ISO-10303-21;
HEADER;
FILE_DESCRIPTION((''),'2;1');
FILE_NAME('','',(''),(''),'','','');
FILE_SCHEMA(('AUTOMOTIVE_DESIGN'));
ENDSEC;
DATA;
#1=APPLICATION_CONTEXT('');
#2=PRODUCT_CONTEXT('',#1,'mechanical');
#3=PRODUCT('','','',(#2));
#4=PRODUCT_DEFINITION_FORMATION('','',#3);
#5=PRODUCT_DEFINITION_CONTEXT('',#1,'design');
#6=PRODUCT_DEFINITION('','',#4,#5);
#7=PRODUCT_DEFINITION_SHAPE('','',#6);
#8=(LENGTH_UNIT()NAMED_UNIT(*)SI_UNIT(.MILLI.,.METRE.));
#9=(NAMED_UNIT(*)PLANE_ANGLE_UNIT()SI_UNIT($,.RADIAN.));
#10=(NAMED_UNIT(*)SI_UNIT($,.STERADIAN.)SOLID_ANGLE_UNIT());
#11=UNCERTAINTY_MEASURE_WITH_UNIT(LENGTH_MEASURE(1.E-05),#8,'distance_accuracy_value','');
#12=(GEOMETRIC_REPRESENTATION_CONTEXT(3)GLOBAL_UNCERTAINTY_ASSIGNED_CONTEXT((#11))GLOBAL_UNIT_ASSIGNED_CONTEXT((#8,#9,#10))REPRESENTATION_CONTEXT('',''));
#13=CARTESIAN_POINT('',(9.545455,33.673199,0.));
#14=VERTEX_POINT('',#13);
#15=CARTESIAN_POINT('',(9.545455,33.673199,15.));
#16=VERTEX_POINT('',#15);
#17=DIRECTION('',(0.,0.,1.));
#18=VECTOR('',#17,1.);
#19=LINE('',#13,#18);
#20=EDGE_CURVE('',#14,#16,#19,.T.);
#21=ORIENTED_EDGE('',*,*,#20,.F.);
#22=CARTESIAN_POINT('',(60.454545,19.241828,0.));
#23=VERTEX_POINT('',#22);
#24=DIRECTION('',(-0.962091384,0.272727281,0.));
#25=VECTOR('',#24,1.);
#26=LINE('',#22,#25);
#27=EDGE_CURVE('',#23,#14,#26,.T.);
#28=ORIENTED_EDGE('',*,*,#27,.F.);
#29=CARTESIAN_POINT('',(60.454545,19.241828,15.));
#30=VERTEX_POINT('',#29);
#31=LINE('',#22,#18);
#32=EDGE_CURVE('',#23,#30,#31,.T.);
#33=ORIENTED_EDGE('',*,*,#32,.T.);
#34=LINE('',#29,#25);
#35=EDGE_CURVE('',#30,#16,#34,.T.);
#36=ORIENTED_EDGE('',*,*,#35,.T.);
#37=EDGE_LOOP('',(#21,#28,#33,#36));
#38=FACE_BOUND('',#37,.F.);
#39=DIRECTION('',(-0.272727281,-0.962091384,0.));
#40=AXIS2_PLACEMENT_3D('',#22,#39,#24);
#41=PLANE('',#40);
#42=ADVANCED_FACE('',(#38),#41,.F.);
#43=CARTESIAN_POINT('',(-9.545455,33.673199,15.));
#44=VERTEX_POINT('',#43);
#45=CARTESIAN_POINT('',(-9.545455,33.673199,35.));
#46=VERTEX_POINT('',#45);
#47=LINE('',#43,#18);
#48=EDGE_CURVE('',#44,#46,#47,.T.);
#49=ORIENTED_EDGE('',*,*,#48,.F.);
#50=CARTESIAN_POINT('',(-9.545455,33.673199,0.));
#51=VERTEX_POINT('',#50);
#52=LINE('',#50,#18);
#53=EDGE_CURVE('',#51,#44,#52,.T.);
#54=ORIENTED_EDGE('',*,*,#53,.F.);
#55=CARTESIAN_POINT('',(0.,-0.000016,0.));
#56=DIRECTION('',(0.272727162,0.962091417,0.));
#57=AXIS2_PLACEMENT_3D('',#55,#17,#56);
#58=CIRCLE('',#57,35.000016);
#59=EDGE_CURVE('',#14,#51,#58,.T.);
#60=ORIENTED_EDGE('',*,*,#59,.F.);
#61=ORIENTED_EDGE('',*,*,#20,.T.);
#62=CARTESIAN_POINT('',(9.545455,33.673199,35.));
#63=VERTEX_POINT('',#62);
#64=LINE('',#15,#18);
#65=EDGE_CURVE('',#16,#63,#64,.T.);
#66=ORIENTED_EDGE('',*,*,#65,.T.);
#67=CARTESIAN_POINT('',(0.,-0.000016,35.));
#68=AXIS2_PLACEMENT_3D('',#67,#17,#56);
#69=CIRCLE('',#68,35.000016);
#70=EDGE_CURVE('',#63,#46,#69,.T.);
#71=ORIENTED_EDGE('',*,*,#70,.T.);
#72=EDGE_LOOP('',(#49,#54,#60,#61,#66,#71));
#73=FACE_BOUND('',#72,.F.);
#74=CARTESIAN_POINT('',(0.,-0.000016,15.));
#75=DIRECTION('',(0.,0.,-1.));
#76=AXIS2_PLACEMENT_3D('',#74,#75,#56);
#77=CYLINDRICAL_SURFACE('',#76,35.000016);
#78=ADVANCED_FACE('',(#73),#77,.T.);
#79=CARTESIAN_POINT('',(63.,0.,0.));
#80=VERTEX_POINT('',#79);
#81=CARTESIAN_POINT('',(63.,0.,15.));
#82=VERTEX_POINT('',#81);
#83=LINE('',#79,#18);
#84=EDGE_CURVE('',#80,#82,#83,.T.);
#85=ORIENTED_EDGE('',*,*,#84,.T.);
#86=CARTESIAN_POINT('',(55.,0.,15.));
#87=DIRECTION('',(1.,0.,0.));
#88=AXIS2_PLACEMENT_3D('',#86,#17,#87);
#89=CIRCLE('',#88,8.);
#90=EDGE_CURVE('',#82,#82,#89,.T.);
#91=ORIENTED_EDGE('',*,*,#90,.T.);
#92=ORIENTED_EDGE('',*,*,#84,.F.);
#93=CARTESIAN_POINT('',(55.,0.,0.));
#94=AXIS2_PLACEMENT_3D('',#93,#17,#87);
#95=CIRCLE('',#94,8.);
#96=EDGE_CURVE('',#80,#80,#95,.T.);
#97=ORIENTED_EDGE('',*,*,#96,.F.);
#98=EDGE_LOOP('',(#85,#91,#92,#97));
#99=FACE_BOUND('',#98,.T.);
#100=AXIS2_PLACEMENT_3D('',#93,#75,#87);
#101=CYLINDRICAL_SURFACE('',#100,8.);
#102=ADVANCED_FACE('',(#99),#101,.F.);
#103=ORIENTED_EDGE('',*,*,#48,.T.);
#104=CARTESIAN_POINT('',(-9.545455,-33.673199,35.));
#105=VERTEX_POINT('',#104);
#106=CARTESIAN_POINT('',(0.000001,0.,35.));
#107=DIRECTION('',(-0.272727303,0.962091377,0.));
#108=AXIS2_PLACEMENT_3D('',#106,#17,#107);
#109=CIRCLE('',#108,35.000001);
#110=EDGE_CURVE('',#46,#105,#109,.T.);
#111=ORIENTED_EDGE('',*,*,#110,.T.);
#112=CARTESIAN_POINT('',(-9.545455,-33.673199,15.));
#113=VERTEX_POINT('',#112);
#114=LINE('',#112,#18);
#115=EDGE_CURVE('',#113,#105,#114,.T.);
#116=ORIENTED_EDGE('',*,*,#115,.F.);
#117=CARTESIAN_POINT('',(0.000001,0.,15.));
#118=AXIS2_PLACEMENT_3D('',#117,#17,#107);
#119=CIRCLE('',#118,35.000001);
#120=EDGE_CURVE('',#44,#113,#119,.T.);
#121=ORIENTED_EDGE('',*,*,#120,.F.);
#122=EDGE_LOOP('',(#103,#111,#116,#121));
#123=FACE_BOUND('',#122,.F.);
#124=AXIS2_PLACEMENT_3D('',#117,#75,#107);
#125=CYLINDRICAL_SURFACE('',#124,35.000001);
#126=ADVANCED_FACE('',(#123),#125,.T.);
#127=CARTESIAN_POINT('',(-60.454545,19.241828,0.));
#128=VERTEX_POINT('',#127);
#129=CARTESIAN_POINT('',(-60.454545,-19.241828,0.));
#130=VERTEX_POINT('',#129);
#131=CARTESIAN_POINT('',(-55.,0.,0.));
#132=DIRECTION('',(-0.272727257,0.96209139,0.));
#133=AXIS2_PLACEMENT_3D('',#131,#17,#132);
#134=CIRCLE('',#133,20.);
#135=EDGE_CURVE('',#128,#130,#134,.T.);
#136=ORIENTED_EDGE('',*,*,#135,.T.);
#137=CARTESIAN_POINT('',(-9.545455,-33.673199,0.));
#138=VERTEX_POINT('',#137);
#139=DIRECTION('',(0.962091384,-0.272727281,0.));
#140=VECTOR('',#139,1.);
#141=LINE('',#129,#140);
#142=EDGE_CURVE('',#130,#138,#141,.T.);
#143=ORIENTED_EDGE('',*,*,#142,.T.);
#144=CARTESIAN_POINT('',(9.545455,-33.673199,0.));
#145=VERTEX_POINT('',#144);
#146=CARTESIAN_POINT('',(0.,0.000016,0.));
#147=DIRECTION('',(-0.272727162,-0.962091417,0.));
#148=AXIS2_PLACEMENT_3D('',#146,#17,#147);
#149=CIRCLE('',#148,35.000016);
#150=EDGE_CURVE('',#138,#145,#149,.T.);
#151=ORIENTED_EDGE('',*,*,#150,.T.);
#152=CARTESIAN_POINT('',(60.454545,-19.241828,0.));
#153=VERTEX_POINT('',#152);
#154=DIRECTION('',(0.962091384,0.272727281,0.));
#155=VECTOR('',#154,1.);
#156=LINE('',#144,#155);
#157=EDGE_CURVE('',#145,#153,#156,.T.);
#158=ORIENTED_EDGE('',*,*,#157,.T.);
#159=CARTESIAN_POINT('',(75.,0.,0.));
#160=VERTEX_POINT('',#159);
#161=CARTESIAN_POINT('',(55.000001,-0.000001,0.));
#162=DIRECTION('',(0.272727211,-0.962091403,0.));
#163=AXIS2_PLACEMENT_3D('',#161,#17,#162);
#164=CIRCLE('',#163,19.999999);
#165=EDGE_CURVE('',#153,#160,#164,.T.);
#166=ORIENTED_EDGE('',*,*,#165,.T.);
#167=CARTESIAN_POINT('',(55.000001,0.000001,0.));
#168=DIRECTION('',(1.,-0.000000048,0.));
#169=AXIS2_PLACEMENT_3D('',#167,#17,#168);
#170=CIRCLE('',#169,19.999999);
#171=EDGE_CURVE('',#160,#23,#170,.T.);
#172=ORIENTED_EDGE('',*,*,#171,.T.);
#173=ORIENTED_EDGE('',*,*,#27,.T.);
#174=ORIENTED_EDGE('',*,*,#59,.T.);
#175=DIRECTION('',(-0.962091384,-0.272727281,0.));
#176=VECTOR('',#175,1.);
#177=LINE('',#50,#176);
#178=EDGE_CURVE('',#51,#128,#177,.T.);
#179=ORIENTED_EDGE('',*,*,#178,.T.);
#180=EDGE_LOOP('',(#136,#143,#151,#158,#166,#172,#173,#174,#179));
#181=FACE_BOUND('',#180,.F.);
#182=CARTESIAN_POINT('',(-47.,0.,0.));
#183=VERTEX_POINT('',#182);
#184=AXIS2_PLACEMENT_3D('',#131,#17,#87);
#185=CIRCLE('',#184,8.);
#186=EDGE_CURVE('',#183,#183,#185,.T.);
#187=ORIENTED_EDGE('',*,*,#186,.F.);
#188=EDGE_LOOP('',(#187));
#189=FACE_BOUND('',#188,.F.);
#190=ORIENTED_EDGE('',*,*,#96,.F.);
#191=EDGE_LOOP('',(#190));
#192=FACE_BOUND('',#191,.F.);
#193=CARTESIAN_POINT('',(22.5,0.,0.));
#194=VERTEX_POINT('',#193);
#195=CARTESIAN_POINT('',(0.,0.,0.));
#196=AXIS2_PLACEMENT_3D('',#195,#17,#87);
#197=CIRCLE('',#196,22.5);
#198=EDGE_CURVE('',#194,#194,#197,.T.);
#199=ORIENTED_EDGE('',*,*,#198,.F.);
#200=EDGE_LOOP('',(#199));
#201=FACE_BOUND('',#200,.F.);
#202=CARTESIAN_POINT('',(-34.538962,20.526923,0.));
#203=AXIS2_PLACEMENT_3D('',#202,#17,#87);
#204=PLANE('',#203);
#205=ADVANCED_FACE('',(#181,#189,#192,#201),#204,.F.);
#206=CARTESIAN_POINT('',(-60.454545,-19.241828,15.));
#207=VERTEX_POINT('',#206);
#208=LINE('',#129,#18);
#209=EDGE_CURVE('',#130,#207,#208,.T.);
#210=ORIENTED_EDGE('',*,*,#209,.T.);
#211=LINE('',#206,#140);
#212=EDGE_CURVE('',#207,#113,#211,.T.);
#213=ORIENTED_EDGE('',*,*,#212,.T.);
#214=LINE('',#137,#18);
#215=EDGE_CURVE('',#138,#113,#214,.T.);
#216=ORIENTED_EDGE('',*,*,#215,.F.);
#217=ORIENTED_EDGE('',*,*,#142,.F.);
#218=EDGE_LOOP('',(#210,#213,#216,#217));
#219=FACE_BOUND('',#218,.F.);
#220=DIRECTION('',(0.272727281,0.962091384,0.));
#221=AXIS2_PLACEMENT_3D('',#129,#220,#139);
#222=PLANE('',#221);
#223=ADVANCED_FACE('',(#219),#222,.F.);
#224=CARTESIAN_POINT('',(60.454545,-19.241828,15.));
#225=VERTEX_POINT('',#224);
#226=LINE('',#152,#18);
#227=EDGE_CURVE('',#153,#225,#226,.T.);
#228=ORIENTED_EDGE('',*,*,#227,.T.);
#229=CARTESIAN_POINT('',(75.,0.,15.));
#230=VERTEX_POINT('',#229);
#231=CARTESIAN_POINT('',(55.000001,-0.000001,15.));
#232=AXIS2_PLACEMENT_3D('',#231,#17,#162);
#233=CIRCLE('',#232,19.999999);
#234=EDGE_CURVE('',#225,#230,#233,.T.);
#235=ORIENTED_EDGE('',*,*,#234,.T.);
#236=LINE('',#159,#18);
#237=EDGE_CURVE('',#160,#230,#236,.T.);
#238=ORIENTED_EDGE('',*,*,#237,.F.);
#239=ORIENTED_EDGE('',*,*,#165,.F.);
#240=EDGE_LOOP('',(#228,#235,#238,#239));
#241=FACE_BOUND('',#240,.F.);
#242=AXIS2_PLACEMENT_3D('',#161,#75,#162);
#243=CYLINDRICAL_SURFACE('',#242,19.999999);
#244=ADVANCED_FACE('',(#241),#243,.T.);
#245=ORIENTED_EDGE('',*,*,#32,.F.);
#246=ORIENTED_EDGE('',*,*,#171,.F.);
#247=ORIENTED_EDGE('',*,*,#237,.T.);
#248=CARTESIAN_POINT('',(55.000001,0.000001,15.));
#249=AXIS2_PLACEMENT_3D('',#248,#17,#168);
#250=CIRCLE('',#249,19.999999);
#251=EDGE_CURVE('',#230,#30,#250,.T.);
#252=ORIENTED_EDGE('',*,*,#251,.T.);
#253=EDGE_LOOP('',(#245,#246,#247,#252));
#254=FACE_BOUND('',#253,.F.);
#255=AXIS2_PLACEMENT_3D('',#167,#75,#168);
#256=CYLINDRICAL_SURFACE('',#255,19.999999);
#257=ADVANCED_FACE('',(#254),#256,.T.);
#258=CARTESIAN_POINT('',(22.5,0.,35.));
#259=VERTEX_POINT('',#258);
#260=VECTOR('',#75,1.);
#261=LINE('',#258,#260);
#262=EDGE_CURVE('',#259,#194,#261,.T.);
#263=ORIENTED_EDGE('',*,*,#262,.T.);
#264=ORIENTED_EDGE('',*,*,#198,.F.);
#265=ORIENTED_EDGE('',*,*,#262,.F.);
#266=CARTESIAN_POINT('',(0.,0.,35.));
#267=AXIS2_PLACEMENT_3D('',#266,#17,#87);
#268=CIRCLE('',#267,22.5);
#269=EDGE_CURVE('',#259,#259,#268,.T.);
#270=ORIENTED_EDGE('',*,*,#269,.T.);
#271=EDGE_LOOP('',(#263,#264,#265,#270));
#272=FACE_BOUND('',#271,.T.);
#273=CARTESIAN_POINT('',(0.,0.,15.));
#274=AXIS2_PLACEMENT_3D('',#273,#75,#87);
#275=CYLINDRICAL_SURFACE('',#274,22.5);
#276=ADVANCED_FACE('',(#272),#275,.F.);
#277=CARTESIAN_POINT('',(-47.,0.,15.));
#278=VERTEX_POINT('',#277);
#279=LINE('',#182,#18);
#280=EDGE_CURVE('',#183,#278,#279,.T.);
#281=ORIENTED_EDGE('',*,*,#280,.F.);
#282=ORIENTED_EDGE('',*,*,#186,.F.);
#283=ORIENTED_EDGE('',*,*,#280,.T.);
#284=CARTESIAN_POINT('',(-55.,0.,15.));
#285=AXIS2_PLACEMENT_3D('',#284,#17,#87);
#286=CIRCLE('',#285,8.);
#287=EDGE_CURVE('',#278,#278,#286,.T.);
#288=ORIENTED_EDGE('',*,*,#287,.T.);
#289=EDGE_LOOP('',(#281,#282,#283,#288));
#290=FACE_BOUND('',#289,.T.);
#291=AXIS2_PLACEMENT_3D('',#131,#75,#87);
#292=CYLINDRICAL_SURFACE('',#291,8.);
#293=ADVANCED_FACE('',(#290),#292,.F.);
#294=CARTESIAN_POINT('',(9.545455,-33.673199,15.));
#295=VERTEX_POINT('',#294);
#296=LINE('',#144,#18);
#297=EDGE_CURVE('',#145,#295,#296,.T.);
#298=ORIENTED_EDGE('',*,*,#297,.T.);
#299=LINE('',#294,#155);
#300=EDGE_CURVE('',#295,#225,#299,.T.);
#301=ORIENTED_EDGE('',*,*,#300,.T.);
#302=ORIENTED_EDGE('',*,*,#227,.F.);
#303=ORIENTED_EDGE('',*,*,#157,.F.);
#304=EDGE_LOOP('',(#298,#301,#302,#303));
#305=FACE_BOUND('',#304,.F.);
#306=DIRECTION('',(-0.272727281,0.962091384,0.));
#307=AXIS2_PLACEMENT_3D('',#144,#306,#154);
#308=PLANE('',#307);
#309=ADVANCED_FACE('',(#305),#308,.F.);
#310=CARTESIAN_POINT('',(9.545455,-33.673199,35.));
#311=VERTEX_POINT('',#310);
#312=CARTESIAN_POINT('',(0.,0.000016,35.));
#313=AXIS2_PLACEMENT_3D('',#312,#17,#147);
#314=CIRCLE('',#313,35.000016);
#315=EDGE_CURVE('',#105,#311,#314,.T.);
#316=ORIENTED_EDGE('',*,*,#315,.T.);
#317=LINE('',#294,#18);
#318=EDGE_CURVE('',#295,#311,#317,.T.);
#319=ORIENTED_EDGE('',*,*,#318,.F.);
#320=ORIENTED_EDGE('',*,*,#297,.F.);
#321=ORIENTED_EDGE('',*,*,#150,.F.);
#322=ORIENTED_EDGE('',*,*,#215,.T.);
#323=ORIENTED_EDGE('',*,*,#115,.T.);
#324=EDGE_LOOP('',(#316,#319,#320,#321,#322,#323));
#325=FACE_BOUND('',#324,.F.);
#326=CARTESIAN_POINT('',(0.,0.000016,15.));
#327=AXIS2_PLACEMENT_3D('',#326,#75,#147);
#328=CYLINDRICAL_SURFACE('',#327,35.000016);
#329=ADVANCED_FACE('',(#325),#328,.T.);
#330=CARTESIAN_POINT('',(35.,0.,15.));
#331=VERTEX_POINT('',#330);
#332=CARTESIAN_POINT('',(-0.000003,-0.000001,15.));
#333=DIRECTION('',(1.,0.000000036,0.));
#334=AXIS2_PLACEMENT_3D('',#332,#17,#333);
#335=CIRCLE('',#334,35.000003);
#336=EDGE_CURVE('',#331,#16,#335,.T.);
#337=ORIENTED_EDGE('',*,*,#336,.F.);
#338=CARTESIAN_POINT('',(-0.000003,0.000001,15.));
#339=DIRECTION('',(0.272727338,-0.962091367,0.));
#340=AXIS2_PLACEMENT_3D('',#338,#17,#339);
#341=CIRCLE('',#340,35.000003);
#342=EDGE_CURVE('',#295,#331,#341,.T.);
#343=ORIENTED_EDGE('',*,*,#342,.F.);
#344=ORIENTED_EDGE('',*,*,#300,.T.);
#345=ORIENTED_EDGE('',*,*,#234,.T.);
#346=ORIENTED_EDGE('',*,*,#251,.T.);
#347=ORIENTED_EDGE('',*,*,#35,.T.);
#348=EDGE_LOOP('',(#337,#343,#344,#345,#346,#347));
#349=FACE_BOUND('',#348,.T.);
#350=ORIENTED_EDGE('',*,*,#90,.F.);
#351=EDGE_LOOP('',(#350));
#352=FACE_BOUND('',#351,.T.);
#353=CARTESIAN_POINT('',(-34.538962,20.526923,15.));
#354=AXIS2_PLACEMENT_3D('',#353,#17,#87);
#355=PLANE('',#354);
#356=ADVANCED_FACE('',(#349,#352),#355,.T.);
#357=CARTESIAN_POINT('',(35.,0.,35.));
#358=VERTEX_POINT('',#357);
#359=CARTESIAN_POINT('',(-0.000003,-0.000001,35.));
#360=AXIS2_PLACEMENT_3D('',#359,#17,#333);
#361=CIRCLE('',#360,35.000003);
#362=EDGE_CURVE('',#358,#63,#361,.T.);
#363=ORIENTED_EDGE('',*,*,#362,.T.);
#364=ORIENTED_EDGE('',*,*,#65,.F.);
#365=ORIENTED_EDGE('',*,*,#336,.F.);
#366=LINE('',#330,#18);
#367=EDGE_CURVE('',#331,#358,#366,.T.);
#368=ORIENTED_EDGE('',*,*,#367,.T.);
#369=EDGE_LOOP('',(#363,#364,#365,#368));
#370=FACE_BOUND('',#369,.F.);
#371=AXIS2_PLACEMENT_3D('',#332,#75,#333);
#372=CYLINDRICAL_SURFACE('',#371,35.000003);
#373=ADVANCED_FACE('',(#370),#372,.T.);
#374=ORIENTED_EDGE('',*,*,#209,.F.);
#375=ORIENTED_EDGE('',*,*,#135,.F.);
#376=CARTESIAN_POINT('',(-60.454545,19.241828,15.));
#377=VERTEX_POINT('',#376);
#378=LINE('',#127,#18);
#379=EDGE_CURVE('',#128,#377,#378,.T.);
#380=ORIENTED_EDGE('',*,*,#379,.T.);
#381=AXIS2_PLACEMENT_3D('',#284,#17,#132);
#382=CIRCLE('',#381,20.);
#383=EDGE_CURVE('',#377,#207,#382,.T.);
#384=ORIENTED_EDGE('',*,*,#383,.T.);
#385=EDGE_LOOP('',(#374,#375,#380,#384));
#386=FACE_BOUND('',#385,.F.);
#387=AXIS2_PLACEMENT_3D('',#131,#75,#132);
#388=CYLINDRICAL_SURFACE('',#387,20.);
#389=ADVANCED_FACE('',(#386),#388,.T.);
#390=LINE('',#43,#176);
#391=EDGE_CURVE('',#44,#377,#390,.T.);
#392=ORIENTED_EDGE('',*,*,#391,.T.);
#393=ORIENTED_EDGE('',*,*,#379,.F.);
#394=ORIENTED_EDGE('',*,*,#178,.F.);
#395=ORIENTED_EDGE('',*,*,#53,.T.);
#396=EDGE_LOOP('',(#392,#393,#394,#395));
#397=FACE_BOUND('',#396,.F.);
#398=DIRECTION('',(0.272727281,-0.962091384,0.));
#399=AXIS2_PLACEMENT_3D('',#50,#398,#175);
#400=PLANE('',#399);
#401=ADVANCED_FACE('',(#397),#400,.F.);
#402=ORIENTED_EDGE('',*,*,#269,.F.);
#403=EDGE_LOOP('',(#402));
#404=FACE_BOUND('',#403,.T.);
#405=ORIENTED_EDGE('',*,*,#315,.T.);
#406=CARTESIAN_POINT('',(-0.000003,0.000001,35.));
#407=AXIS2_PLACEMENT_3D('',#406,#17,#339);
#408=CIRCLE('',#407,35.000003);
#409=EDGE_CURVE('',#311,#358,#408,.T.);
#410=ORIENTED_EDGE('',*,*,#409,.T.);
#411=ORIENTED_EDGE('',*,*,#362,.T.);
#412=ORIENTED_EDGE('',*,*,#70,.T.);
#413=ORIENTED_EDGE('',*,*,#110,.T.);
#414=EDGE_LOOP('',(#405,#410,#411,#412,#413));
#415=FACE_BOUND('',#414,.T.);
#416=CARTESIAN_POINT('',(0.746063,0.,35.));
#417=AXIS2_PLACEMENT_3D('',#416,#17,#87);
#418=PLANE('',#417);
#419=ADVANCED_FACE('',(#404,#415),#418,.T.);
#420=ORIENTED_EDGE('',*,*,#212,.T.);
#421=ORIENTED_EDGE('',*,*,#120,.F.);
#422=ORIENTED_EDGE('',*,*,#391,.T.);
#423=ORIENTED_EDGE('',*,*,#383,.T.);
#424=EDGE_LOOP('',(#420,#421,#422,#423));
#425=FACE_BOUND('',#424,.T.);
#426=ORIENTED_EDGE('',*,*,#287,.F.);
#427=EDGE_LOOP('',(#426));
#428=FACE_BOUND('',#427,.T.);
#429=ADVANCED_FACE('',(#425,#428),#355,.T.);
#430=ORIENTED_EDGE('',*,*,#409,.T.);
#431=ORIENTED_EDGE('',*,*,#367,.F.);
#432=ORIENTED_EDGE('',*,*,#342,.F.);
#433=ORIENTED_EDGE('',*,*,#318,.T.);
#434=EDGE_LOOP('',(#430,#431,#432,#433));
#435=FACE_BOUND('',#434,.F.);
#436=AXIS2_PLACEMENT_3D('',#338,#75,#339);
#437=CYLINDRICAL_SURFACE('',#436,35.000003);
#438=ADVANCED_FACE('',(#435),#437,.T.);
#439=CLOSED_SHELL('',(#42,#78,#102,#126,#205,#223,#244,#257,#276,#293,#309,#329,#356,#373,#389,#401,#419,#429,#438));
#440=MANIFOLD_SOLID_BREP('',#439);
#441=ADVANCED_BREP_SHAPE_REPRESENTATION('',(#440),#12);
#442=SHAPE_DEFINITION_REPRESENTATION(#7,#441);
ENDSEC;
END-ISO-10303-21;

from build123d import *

# Parameters (mm, degrees)
F0_R     = 8
F0_R_2   = 22.5
F1_DEPTH = 15
F2_R     = 22.5
F3_DEPTH = 20


with BuildPart() as f1:
    # F0 (on Top) → F1 (new body)
    with BuildSketch(Plane.XY):
        with BuildLine():
            ThreePointArc((-60.454545, 19.241828), (-42.939546, 15.954481), (-35, 0))
            ThreePointArc((-35, 0), (-27.920341, 21.105794), (-9.545455, 33.673199))
            Line((-9.545455, 33.673199), (-60.454545, 19.241828))
        make_face()
        with BuildLine():
            ThreePointArc((-9.545455, -33.673199), (-27.920341, -21.105794), (-35, 0))
            ThreePointArc((-35, 0), (-42.939546, -15.954481), (-60.454545, -19.241828))
            Line((-60.454545, -19.241828), (-9.545455, -33.673199))
        make_face()
        with BuildLine():
            Line((60.454545, 19.241828), (9.545455, 33.673199))
            ThreePointArc((9.545455, 33.673199), (27.920341, 21.105794), (35, 0))
            ThreePointArc((35, 0), (42.939546, 15.954481), (60.454545, 19.241828))
        make_face()
        with BuildLine():
            ThreePointArc((35, 0), (27.920341, -21.105794), (9.545455, -33.673199))
            Line((9.545455, -33.673199), (60.454545, -19.241828))
            ThreePointArc((60.454545, -19.241828), (42.939546, -15.954481), (35, 0))
        make_face()
        with BuildLine():
            ThreePointArc((60.454545, 19.241828), (42.939546, 15.954481), (35, 0))
            ThreePointArc((35, 0), (42.939546, -15.954481), (60.454545, -19.241828))
            ThreePointArc((60.454545, -19.241828), (70.954481, -12.060454), (75, 0))
            ThreePointArc((75, 0), (70.954481, 12.060454), (60.454545, 19.241828))
        make_face()
        with Locations((55, 0)):
            Circle(F0_R, mode=Mode.SUBTRACT)
        with BuildLine():
            ThreePointArc((-9.545455, 33.673199), (-27.920341, 21.105794), (-35, 0))
            ThreePointArc((-35, 0), (-27.920341, -21.105794), (-9.545455, -33.673199))
            ThreePointArc((-9.545455, -33.673199), (0, -35), (9.545455, -33.673199))
            ThreePointArc((9.545455, -33.673199), (27.920341, -21.105794), (35, 0))
            ThreePointArc((35, 0), (27.920341, 21.105794), (9.545455, 33.673199))
            ThreePointArc((9.545455, 33.673199), (0, 35), (-9.545455, 33.673199))
        make_face()
        Circle(F0_R_2, mode=Mode.SUBTRACT)
        with BuildLine():
            ThreePointArc((-60.454545, -19.241828), (-42.939546, -15.954481), (-35, 0))
            ThreePointArc((-35, 0), (-42.939546, 15.954481), (-60.454545, 19.241828))
            ThreePointArc((-60.454545, 19.241828), (-75, 0), (-60.454545, -19.241828))
        make_face()
        with Locations((-55, 0)):
            Circle(F0_R, mode=Mode.SUBTRACT)
    extrude(amount=F1_DEPTH)

    # F2 (on face) → F3 (join)
    with BuildSketch(Plane.XY.offset(15)):
        with BuildLine():
            ThreePointArc((9.545455, -33.673199), (27.920341, -21.105794), (35, 0))
            ThreePointArc((35, 0), (27.920341, 21.105794), (9.545455, 33.673199))
            ThreePointArc((9.545455, 33.673199), (0, 35), (-9.545455, 33.673199))
            ThreePointArc((-9.545455, 33.673199), (-35, 0), (-9.545455, -33.673199))
            ThreePointArc((-9.545455, -33.673199), (0, -35), (9.545455, -33.673199))
        make_face()
        Circle(F2_R, mode=Mode.SUBTRACT)
    extrude(amount=F3_DEPTH)


solid = f1.part
